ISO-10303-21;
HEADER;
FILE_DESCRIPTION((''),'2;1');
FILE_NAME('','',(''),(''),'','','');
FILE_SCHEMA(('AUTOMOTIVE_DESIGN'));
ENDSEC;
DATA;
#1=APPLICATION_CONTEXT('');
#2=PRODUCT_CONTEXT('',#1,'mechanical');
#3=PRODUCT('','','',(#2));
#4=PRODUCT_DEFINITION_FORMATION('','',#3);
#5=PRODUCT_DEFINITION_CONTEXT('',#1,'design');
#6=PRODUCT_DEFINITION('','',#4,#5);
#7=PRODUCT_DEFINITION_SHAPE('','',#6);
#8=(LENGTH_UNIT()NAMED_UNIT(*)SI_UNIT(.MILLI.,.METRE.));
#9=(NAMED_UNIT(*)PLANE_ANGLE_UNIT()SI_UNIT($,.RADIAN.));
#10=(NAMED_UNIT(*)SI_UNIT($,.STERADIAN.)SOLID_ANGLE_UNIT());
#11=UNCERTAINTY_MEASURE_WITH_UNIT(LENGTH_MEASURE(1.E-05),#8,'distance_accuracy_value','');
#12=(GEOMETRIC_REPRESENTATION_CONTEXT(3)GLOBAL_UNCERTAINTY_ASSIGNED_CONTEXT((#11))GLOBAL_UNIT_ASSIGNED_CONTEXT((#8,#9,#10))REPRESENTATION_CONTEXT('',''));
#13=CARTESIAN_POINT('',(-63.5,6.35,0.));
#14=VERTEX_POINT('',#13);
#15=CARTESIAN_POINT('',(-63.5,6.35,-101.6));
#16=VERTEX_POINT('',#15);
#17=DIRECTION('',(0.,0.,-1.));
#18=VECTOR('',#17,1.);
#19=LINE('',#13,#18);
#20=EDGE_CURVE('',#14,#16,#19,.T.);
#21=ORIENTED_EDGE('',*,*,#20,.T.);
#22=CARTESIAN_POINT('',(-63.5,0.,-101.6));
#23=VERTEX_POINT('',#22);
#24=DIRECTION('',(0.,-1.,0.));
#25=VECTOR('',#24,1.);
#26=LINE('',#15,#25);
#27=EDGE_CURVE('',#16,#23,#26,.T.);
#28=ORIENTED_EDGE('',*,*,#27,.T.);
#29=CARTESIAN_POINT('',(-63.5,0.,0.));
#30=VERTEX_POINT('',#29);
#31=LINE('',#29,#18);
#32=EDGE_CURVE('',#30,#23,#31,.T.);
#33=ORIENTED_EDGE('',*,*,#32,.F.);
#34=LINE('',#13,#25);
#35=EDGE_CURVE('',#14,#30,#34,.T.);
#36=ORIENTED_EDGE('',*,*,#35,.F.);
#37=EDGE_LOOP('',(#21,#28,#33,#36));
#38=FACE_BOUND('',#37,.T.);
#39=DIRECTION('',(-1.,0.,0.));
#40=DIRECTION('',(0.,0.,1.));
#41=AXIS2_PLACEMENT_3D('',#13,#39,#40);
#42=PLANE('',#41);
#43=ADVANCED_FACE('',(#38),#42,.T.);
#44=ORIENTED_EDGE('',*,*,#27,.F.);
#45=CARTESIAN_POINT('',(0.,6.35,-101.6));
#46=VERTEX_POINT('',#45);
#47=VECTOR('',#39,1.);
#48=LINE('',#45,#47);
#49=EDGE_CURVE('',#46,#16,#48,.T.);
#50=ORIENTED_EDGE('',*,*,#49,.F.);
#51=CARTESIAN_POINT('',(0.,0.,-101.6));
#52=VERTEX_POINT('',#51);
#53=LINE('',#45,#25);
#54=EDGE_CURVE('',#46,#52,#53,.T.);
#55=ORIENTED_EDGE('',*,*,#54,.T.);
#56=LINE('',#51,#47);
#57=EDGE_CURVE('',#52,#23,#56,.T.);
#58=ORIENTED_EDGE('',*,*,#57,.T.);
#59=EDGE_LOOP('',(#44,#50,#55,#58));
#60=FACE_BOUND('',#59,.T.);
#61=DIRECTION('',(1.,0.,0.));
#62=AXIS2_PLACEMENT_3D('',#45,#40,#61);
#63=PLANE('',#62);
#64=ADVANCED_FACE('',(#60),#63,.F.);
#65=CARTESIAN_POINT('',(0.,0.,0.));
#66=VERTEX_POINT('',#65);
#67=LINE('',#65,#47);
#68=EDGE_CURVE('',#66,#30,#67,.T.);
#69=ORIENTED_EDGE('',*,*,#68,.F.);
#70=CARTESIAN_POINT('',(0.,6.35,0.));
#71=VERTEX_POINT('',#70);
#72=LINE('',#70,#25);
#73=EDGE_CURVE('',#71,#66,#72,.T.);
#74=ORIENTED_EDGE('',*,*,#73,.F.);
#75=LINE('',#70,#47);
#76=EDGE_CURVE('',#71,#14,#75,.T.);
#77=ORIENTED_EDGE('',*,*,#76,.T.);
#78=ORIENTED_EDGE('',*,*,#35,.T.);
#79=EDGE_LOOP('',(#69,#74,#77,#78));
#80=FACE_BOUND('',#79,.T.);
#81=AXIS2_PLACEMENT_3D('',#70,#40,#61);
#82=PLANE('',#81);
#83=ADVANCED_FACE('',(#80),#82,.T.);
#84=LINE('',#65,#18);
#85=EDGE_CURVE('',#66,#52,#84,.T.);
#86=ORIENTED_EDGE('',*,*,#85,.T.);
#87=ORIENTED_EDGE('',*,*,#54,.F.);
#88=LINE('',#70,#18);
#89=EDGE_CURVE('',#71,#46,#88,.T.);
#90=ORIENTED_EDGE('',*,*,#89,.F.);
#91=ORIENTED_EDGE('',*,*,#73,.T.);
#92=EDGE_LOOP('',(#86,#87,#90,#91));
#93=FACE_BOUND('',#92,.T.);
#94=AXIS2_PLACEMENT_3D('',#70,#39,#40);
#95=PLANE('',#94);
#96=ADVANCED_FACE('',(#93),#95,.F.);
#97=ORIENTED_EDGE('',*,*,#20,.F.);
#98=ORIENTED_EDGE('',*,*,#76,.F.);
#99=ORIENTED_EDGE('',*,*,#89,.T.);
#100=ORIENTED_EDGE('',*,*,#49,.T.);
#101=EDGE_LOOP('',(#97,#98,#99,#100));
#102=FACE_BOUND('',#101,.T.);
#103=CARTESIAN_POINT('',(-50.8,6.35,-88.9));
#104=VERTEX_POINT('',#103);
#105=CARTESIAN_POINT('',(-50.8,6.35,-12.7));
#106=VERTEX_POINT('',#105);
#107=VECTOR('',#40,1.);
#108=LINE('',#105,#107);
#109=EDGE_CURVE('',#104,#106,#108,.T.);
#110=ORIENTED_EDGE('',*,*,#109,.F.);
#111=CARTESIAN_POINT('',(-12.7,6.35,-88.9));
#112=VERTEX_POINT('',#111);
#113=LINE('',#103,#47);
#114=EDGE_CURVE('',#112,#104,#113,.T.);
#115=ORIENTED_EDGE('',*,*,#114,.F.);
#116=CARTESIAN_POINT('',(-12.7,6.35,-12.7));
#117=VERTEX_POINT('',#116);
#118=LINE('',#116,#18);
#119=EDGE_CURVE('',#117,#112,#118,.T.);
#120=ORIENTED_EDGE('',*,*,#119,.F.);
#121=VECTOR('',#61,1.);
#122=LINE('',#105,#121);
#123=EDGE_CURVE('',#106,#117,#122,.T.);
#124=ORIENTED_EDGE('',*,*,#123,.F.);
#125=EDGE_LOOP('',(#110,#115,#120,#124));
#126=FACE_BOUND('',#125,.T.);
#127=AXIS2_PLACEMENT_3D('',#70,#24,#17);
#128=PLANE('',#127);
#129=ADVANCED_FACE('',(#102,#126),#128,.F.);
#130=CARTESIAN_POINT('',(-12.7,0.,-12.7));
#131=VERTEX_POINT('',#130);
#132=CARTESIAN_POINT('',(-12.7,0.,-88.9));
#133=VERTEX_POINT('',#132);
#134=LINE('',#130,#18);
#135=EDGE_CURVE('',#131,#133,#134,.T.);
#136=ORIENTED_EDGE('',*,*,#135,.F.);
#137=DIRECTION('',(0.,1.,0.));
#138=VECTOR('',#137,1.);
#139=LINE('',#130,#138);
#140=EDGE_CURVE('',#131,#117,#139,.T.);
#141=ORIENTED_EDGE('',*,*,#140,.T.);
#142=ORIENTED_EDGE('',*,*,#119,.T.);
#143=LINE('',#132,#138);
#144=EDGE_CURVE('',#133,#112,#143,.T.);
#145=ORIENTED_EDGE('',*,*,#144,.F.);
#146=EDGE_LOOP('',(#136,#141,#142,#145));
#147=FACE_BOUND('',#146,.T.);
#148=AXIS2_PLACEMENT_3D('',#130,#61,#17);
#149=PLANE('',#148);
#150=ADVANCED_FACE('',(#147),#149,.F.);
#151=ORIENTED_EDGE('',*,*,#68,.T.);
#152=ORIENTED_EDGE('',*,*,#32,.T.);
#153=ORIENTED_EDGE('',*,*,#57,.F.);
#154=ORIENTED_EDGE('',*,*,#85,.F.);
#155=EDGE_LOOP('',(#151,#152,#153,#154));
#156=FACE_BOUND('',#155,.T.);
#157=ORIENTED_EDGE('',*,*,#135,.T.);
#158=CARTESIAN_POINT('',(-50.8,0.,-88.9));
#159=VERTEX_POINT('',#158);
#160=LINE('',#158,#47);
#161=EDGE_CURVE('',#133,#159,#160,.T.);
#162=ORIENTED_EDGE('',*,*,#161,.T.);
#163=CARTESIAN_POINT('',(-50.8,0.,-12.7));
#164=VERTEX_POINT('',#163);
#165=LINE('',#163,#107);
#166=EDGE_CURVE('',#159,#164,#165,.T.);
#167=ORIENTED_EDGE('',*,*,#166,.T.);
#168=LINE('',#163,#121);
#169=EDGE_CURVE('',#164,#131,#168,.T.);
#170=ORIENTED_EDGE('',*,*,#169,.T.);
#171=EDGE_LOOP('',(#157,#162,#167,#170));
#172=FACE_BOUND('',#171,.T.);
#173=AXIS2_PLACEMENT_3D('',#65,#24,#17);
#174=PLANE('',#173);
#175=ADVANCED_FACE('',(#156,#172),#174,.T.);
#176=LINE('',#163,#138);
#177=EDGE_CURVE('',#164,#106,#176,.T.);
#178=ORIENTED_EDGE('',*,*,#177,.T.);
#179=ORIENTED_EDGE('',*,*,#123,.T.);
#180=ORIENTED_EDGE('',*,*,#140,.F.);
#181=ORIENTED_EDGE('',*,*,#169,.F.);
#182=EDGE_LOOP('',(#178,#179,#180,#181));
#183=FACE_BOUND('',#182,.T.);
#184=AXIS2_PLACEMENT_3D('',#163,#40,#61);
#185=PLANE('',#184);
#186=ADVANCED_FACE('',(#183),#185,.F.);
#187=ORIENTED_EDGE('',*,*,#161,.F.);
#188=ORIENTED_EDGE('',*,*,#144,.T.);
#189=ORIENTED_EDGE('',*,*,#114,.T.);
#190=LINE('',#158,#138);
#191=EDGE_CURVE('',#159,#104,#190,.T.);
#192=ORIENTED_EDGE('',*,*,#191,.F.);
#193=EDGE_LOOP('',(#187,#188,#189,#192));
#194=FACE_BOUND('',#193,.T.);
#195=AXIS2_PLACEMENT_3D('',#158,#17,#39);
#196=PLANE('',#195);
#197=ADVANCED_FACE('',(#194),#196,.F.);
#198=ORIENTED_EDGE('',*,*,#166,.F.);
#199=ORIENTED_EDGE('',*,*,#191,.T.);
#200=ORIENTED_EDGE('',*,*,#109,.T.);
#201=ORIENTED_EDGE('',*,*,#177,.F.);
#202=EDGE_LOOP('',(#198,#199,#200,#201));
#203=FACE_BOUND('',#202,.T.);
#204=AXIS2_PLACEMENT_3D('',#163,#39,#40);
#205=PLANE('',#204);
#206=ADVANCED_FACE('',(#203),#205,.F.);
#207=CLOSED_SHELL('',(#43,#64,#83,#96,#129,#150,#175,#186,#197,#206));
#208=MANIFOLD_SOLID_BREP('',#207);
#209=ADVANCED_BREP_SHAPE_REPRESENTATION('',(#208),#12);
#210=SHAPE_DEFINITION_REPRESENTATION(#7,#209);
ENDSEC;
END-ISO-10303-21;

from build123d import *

# Parameters (mm, degrees)
SKETCH1_W           = 63.5
SKETCH1_H           = 101.6
BOSS_EXTRUDE1_DEPTH = 6.35
SKETCH2_W           = 38.1
SKETCH2_H           = 76.2
CUT_EXTRUDE1_DEPTH  = 120.979717036


with BuildPart() as part:
    # Sketch1 → Boss-Extrude1 (new body)
    with BuildSketch(Plane(origin=(0, 0, 0), x_dir=(1, 0, 0), z_dir=(0, 1, 0))):
        with Locations((-31.75, 50.8)):
            Rectangle(SKETCH1_W, SKETCH1_H)
    extrude(amount=BOSS_EXTRUDE1_DEPTH)

    # Sketch2 → Cut-Extrude1 (cut, through all)
    with BuildSketch(Plane(origin=(0, 6.35, 0), x_dir=(1, 0, 0), z_dir=(0, 1, 0))):
        with Locations((-31.75, 50.8)):
            Rectangle(SKETCH2_W, SKETCH2_H)
    extrude(amount=-CUT_EXTRUDE1_DEPTH, mode=Mode.SUBTRACT)


solid = part.part
